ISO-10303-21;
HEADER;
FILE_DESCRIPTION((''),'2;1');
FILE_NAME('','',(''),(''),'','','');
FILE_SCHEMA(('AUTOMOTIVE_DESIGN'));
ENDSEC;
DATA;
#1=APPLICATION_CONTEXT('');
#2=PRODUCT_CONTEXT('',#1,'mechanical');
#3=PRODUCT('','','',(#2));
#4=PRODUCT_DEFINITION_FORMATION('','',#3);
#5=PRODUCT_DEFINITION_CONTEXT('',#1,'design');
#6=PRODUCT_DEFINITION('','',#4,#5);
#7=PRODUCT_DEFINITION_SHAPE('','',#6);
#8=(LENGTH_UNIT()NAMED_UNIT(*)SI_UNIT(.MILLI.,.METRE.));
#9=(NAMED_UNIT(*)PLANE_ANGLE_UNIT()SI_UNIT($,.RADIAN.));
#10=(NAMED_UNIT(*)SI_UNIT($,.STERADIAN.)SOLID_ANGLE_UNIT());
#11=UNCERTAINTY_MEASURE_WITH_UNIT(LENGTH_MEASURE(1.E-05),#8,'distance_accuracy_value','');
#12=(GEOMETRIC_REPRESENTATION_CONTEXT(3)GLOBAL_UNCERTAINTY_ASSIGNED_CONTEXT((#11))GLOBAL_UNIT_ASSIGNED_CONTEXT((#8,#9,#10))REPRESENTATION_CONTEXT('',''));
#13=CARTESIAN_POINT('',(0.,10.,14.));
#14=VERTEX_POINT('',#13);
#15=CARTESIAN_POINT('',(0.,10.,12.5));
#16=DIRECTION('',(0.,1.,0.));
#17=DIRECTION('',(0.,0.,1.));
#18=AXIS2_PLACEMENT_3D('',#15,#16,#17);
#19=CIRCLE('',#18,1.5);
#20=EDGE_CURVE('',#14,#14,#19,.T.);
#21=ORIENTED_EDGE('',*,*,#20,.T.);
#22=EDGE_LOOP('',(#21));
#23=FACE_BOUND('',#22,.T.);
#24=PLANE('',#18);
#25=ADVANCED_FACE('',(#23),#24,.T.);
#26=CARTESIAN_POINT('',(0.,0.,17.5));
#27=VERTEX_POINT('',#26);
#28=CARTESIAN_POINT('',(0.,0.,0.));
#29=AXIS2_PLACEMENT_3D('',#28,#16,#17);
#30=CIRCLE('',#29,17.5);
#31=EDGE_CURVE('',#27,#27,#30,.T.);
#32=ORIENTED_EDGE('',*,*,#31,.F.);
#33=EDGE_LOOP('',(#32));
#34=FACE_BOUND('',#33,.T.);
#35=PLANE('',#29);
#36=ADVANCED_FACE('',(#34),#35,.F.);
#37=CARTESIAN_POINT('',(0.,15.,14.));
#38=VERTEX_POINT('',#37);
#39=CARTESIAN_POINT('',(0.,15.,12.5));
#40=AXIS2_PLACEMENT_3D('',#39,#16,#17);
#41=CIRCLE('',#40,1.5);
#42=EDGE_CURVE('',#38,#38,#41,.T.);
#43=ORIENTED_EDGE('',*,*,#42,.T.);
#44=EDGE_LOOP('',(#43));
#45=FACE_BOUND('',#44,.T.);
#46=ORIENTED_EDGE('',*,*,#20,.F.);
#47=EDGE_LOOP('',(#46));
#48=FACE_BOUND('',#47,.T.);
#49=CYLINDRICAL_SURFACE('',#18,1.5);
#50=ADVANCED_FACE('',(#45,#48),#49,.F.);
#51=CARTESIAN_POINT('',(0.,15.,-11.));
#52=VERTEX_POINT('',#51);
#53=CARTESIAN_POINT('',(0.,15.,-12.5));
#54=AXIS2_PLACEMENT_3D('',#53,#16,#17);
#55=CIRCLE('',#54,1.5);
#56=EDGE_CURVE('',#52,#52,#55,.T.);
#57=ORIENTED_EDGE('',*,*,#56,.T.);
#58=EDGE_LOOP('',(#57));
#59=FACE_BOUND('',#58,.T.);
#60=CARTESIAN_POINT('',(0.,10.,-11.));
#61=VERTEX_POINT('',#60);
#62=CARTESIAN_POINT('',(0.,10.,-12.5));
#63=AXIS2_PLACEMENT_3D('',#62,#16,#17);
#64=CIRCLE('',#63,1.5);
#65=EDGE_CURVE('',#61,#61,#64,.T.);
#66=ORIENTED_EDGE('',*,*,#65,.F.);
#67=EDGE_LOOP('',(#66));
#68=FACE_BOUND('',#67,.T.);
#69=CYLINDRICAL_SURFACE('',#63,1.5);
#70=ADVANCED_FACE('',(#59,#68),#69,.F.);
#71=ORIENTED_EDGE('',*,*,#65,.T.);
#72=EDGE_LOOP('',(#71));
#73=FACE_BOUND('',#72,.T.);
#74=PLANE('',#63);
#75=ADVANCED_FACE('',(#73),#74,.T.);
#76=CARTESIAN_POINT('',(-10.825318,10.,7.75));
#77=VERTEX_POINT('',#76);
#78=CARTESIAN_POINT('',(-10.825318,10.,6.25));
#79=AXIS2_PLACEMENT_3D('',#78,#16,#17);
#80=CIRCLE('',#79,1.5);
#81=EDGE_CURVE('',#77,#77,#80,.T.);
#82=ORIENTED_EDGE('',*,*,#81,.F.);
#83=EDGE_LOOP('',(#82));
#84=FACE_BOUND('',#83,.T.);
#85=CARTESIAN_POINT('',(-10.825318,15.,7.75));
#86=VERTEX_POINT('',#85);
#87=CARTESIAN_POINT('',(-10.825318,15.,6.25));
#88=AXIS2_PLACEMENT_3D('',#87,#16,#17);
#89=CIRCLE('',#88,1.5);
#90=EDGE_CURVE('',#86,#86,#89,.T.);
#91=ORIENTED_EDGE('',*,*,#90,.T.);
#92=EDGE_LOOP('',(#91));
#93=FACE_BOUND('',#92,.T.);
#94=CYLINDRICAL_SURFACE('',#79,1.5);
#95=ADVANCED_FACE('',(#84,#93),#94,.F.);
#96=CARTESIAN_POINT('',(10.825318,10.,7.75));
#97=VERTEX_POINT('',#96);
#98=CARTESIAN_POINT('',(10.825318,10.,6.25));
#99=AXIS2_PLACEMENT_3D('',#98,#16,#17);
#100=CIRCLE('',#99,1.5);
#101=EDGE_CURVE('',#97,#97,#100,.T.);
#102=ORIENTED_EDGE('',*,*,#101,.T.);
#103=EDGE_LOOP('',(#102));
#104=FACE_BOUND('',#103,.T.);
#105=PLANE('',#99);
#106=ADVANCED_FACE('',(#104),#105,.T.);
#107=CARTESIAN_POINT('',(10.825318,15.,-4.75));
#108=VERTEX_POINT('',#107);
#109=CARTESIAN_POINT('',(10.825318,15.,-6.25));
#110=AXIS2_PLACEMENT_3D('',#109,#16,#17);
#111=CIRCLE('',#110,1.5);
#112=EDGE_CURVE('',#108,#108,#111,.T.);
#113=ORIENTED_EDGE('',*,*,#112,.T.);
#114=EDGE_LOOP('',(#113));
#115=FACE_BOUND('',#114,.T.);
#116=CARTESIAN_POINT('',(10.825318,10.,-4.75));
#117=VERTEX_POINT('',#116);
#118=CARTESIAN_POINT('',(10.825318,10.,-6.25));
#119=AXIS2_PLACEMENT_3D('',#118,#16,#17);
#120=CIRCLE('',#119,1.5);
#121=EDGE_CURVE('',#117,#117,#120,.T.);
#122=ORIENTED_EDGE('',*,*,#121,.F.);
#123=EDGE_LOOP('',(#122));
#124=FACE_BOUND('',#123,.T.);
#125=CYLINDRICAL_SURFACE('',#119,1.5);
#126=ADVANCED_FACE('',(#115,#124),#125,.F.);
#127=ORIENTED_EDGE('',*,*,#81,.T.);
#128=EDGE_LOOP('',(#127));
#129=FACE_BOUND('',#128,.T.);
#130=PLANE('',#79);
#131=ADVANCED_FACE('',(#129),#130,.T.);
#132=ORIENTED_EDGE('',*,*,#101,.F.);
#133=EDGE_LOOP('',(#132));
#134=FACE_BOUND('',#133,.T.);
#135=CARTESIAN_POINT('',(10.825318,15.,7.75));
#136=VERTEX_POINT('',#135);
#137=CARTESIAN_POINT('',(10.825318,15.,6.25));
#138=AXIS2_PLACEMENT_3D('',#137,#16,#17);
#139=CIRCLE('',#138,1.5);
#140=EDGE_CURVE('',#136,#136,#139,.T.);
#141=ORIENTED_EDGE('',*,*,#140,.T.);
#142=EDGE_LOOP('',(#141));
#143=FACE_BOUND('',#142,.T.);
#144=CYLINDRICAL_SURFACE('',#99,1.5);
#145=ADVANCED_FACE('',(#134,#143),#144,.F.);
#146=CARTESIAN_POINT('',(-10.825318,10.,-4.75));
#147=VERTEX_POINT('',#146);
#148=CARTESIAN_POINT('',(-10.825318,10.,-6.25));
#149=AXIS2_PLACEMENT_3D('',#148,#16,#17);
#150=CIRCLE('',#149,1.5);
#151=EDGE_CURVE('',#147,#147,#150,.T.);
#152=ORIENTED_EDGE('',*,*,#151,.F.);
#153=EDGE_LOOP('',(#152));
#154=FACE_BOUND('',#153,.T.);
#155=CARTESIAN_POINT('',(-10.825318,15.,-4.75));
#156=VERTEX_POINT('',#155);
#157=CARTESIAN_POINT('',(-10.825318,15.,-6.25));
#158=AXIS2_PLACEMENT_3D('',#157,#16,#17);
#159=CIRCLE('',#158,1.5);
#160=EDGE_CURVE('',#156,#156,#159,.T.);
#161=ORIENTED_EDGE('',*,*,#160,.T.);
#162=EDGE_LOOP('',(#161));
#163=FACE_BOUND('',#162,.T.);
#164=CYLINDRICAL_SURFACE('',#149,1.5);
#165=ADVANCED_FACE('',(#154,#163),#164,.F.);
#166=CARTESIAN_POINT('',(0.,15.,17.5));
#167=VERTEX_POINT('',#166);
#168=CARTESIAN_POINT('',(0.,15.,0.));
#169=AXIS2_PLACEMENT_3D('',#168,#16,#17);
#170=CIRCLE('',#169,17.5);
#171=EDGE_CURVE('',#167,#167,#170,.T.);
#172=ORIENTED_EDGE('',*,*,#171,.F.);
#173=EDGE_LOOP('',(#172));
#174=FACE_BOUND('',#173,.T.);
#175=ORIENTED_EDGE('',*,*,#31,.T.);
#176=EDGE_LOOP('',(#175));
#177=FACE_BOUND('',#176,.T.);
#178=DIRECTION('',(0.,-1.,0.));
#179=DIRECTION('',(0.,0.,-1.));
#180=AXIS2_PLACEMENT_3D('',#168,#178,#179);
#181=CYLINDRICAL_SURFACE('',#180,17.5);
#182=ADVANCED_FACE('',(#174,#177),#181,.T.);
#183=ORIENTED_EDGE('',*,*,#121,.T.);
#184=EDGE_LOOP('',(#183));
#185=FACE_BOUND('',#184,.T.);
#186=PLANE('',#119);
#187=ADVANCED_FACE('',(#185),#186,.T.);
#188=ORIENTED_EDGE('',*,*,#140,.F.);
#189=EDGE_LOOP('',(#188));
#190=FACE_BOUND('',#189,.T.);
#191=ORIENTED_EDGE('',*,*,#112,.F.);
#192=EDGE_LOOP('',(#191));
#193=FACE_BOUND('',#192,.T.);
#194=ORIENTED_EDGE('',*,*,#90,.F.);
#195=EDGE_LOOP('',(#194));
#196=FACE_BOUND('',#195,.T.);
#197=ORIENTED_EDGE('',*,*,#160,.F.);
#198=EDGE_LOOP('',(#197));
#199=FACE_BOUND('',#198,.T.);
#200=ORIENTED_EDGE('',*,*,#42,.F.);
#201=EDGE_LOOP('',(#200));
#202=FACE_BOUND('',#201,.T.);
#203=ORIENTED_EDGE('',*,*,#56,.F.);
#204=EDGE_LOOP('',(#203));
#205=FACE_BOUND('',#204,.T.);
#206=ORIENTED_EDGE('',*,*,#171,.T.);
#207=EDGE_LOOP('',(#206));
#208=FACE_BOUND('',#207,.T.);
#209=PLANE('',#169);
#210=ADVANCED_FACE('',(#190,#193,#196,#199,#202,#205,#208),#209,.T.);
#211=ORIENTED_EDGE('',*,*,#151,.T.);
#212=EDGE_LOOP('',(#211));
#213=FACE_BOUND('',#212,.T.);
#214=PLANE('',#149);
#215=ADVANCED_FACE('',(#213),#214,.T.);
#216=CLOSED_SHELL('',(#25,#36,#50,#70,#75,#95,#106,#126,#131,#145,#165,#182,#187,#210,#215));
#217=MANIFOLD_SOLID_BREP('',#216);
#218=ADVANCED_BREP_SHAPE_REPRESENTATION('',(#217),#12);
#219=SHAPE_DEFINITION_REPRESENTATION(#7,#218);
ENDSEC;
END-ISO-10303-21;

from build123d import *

# Parameters (mm, degrees)
SKETCH_5_R          = 17.5
EXTRUDE_1_DEPTH     = 15
SKETCH_6_R          = 1.5
CUT_EXTRUDE_1_DEPTH = 5


with BuildPart() as part:
    # Эскиз5 → Бобышка-Вытянуть1 (new body)
    with BuildSketch(Plane(origin=(0, 0, 0), x_dir=(1, 0, 0), z_dir=(0, 1, 0))):
        with Locations(Location((0, 0, 0), (0, 0, 270))):
            Circle(SKETCH_5_R)
    extrude(amount=EXTRUDE_1_DEPTH)

    # Эскиз6 → Вырез-Вытянуть1 (cut)
    with BuildSketch(Plane(origin=(0, 15, 0), x_dir=(1, 0, 0), z_dir=(0, 1, 0))):
        with Locations(Location((0, 12.5, 0), (0, 0, 270))):
            Circle(SKETCH_6_R)
        with Locations(Location((10.825317547, 6.25, 0), (0, 0, 270))):
            Circle(SKETCH_6_R)
        with Locations(Location((10.825317547, -6.25, 0), (0, 0, 270))):
            Circle(SKETCH_6_R)
        with Locations(Location((0, -12.5, 0), (0, 0, 270))):
            Circle(SKETCH_6_R)
        with Locations(Location((-10.825317547, -6.25, 0), (0, 0, 270))):
            Circle(SKETCH_6_R)
        with Locations(Location((-10.825317547, 6.25, 0), (0, 0, 270))):
            Circle(SKETCH_6_R)
    extrude(amount=-CUT_EXTRUDE_1_DEPTH, mode=Mode.SUBTRACT)


solid = part.part
